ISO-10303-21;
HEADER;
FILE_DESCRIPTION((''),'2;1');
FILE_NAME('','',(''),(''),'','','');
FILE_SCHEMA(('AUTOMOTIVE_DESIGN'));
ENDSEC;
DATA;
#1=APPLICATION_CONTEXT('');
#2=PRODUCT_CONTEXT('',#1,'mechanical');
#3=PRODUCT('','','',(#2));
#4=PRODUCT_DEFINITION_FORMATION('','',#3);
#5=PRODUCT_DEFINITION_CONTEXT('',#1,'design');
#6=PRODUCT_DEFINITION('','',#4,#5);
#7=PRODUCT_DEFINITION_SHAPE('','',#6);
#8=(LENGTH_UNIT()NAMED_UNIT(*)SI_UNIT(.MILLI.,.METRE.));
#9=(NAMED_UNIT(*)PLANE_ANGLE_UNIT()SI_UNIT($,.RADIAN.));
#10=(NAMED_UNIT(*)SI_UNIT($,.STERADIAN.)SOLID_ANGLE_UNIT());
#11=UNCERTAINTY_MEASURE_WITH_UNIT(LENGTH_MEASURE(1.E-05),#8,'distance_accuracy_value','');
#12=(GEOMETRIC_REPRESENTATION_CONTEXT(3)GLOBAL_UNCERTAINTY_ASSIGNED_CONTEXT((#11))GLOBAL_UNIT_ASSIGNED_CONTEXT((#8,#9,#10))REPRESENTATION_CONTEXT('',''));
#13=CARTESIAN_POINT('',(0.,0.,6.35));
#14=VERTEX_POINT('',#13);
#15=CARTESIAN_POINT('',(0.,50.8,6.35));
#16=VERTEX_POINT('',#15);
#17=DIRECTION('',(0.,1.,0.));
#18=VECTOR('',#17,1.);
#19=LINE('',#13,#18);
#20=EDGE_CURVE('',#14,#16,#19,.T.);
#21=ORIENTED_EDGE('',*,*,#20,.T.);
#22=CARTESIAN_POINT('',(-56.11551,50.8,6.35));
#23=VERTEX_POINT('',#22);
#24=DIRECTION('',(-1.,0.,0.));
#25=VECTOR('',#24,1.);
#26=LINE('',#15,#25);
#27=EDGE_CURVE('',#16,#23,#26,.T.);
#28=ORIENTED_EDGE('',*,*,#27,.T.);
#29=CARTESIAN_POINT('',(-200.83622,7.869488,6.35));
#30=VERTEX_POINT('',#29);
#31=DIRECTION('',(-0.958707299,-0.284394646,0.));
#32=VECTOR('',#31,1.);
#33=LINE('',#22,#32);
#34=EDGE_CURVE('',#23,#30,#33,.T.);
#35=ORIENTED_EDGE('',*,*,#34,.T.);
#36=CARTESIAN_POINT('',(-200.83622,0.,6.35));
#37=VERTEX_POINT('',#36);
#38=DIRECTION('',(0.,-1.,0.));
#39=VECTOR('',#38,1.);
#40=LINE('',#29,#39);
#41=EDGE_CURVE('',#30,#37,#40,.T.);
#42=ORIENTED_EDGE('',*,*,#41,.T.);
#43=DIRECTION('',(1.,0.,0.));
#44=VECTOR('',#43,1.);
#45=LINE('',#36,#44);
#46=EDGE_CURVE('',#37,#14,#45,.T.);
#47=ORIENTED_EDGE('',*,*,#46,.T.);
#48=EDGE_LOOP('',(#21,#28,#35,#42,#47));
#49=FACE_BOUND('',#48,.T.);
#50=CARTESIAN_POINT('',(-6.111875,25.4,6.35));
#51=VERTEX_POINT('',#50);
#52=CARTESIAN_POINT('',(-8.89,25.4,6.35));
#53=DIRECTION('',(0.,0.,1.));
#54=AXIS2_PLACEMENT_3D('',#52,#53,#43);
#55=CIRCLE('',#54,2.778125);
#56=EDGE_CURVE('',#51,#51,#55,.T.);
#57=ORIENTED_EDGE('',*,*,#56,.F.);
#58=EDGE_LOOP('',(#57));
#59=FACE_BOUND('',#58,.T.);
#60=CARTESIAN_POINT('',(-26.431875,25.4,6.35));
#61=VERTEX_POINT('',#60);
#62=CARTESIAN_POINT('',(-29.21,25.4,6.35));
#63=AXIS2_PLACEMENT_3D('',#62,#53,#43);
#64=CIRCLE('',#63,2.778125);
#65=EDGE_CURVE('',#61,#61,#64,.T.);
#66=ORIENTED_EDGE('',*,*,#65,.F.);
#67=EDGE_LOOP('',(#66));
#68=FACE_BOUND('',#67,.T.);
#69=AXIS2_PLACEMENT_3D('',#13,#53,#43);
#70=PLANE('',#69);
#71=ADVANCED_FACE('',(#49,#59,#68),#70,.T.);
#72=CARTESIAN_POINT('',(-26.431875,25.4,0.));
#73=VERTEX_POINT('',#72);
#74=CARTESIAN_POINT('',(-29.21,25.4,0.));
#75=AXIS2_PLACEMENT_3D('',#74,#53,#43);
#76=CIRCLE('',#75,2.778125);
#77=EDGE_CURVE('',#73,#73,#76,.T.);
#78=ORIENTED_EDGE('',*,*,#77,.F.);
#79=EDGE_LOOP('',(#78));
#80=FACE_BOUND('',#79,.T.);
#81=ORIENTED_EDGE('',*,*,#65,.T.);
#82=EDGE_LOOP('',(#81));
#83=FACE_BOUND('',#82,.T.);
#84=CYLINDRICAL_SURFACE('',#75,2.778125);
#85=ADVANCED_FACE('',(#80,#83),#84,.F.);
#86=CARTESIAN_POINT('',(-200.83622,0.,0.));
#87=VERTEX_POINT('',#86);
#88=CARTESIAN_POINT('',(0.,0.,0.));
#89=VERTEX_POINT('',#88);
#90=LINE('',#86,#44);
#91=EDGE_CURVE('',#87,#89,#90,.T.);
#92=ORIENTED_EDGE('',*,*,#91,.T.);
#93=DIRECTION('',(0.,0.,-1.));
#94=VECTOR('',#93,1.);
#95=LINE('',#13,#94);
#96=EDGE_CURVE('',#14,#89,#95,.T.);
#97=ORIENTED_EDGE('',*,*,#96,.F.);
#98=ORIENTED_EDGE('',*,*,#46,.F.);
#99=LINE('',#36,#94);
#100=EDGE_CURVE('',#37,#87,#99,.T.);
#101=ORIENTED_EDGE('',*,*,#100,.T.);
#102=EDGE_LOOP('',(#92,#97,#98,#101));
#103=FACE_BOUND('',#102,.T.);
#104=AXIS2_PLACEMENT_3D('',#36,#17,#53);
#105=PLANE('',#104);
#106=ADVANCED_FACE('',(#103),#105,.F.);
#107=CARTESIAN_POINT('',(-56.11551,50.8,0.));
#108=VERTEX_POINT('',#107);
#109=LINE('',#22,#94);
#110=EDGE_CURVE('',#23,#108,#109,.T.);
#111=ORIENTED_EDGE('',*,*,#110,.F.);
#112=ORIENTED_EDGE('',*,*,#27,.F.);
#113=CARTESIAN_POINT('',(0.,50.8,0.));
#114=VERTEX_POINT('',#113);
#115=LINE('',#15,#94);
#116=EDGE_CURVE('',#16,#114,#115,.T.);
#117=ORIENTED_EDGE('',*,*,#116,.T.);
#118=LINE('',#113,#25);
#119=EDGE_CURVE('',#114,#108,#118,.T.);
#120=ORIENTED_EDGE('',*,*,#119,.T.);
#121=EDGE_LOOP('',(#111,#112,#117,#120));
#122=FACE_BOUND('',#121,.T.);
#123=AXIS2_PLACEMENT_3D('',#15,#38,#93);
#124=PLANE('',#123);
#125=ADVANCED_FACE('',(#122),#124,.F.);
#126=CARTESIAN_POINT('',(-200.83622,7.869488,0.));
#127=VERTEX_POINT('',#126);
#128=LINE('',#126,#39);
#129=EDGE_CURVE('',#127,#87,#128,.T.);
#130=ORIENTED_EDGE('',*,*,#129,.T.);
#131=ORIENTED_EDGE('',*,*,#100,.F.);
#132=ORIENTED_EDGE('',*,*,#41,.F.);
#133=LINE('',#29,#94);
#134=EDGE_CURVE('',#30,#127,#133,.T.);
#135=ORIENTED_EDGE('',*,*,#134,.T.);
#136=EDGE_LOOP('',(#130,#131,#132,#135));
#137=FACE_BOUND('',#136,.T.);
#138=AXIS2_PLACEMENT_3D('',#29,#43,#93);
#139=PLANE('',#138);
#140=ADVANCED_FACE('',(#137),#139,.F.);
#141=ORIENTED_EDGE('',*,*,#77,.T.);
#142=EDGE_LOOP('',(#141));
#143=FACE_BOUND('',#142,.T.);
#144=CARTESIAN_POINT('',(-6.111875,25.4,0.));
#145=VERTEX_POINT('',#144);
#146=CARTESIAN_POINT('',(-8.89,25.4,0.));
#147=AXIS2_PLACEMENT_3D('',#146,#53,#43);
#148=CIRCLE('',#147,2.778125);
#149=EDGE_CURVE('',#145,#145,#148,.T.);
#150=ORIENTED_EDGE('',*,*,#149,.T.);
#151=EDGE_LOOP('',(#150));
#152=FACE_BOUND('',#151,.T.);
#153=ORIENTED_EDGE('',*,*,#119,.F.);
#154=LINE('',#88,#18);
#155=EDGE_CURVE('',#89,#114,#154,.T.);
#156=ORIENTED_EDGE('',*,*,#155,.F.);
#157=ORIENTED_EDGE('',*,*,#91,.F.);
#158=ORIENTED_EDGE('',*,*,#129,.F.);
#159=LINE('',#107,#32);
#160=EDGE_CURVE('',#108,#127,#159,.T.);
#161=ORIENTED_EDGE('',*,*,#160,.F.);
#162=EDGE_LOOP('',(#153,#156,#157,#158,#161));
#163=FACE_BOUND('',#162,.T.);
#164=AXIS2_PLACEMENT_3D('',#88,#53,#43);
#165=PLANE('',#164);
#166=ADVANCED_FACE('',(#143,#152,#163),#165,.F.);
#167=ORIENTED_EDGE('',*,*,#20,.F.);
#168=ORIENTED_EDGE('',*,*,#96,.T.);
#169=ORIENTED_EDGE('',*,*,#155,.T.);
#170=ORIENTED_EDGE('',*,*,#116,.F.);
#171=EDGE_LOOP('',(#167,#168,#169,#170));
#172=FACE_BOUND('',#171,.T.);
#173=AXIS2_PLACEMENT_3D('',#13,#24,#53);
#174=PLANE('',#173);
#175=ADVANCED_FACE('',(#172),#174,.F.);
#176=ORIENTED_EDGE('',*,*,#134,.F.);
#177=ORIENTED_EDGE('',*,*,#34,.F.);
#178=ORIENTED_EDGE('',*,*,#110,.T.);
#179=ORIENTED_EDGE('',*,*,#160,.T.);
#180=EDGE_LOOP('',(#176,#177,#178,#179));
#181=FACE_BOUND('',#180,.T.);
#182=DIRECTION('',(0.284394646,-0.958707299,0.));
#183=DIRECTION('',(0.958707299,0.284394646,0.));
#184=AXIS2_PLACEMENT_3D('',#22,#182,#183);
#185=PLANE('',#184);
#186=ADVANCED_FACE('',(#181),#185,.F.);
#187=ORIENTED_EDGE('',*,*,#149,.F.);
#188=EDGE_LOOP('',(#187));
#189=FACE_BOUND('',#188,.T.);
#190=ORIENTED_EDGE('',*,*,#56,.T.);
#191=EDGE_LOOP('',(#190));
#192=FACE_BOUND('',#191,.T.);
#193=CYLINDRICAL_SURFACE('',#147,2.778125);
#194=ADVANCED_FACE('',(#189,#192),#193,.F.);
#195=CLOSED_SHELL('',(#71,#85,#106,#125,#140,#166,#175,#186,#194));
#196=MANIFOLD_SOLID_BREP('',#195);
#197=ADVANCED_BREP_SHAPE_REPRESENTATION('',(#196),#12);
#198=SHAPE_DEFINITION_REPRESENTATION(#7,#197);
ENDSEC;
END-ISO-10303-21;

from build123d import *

# Parameters (mm, degrees)
BOSS_EXTRUDE1_DEPTH = 6.35
SKETCH2_R           = 2.778125
CUT_EXTRUDE1_DEPTH  = 208.258653961


with BuildPart() as part:
    # Sketch1 → Boss-Extrude1 (new body)
    with BuildSketch(Plane.XY):
        Polygon((0, 0), (0, 50.8), (-56.115509559, 50.8), (-200.836219696, 7.8694881), (-200.836219696, 0), align=None)
    extrude(amount=BOSS_EXTRUDE1_DEPTH)

    # Sketch2 → Cut-Extrude1 (cut, through all)
    with BuildSketch(Plane.XY.offset(6.35)):
        with Locations((-29.21, 25.4)):
            Circle(SKETCH2_R)
        with Locations((-8.89, 25.4)):
            Circle(SKETCH2_R)
    extrude(amount=-CUT_EXTRUDE1_DEPTH, mode=Mode.SUBTRACT)


solid = part.part
